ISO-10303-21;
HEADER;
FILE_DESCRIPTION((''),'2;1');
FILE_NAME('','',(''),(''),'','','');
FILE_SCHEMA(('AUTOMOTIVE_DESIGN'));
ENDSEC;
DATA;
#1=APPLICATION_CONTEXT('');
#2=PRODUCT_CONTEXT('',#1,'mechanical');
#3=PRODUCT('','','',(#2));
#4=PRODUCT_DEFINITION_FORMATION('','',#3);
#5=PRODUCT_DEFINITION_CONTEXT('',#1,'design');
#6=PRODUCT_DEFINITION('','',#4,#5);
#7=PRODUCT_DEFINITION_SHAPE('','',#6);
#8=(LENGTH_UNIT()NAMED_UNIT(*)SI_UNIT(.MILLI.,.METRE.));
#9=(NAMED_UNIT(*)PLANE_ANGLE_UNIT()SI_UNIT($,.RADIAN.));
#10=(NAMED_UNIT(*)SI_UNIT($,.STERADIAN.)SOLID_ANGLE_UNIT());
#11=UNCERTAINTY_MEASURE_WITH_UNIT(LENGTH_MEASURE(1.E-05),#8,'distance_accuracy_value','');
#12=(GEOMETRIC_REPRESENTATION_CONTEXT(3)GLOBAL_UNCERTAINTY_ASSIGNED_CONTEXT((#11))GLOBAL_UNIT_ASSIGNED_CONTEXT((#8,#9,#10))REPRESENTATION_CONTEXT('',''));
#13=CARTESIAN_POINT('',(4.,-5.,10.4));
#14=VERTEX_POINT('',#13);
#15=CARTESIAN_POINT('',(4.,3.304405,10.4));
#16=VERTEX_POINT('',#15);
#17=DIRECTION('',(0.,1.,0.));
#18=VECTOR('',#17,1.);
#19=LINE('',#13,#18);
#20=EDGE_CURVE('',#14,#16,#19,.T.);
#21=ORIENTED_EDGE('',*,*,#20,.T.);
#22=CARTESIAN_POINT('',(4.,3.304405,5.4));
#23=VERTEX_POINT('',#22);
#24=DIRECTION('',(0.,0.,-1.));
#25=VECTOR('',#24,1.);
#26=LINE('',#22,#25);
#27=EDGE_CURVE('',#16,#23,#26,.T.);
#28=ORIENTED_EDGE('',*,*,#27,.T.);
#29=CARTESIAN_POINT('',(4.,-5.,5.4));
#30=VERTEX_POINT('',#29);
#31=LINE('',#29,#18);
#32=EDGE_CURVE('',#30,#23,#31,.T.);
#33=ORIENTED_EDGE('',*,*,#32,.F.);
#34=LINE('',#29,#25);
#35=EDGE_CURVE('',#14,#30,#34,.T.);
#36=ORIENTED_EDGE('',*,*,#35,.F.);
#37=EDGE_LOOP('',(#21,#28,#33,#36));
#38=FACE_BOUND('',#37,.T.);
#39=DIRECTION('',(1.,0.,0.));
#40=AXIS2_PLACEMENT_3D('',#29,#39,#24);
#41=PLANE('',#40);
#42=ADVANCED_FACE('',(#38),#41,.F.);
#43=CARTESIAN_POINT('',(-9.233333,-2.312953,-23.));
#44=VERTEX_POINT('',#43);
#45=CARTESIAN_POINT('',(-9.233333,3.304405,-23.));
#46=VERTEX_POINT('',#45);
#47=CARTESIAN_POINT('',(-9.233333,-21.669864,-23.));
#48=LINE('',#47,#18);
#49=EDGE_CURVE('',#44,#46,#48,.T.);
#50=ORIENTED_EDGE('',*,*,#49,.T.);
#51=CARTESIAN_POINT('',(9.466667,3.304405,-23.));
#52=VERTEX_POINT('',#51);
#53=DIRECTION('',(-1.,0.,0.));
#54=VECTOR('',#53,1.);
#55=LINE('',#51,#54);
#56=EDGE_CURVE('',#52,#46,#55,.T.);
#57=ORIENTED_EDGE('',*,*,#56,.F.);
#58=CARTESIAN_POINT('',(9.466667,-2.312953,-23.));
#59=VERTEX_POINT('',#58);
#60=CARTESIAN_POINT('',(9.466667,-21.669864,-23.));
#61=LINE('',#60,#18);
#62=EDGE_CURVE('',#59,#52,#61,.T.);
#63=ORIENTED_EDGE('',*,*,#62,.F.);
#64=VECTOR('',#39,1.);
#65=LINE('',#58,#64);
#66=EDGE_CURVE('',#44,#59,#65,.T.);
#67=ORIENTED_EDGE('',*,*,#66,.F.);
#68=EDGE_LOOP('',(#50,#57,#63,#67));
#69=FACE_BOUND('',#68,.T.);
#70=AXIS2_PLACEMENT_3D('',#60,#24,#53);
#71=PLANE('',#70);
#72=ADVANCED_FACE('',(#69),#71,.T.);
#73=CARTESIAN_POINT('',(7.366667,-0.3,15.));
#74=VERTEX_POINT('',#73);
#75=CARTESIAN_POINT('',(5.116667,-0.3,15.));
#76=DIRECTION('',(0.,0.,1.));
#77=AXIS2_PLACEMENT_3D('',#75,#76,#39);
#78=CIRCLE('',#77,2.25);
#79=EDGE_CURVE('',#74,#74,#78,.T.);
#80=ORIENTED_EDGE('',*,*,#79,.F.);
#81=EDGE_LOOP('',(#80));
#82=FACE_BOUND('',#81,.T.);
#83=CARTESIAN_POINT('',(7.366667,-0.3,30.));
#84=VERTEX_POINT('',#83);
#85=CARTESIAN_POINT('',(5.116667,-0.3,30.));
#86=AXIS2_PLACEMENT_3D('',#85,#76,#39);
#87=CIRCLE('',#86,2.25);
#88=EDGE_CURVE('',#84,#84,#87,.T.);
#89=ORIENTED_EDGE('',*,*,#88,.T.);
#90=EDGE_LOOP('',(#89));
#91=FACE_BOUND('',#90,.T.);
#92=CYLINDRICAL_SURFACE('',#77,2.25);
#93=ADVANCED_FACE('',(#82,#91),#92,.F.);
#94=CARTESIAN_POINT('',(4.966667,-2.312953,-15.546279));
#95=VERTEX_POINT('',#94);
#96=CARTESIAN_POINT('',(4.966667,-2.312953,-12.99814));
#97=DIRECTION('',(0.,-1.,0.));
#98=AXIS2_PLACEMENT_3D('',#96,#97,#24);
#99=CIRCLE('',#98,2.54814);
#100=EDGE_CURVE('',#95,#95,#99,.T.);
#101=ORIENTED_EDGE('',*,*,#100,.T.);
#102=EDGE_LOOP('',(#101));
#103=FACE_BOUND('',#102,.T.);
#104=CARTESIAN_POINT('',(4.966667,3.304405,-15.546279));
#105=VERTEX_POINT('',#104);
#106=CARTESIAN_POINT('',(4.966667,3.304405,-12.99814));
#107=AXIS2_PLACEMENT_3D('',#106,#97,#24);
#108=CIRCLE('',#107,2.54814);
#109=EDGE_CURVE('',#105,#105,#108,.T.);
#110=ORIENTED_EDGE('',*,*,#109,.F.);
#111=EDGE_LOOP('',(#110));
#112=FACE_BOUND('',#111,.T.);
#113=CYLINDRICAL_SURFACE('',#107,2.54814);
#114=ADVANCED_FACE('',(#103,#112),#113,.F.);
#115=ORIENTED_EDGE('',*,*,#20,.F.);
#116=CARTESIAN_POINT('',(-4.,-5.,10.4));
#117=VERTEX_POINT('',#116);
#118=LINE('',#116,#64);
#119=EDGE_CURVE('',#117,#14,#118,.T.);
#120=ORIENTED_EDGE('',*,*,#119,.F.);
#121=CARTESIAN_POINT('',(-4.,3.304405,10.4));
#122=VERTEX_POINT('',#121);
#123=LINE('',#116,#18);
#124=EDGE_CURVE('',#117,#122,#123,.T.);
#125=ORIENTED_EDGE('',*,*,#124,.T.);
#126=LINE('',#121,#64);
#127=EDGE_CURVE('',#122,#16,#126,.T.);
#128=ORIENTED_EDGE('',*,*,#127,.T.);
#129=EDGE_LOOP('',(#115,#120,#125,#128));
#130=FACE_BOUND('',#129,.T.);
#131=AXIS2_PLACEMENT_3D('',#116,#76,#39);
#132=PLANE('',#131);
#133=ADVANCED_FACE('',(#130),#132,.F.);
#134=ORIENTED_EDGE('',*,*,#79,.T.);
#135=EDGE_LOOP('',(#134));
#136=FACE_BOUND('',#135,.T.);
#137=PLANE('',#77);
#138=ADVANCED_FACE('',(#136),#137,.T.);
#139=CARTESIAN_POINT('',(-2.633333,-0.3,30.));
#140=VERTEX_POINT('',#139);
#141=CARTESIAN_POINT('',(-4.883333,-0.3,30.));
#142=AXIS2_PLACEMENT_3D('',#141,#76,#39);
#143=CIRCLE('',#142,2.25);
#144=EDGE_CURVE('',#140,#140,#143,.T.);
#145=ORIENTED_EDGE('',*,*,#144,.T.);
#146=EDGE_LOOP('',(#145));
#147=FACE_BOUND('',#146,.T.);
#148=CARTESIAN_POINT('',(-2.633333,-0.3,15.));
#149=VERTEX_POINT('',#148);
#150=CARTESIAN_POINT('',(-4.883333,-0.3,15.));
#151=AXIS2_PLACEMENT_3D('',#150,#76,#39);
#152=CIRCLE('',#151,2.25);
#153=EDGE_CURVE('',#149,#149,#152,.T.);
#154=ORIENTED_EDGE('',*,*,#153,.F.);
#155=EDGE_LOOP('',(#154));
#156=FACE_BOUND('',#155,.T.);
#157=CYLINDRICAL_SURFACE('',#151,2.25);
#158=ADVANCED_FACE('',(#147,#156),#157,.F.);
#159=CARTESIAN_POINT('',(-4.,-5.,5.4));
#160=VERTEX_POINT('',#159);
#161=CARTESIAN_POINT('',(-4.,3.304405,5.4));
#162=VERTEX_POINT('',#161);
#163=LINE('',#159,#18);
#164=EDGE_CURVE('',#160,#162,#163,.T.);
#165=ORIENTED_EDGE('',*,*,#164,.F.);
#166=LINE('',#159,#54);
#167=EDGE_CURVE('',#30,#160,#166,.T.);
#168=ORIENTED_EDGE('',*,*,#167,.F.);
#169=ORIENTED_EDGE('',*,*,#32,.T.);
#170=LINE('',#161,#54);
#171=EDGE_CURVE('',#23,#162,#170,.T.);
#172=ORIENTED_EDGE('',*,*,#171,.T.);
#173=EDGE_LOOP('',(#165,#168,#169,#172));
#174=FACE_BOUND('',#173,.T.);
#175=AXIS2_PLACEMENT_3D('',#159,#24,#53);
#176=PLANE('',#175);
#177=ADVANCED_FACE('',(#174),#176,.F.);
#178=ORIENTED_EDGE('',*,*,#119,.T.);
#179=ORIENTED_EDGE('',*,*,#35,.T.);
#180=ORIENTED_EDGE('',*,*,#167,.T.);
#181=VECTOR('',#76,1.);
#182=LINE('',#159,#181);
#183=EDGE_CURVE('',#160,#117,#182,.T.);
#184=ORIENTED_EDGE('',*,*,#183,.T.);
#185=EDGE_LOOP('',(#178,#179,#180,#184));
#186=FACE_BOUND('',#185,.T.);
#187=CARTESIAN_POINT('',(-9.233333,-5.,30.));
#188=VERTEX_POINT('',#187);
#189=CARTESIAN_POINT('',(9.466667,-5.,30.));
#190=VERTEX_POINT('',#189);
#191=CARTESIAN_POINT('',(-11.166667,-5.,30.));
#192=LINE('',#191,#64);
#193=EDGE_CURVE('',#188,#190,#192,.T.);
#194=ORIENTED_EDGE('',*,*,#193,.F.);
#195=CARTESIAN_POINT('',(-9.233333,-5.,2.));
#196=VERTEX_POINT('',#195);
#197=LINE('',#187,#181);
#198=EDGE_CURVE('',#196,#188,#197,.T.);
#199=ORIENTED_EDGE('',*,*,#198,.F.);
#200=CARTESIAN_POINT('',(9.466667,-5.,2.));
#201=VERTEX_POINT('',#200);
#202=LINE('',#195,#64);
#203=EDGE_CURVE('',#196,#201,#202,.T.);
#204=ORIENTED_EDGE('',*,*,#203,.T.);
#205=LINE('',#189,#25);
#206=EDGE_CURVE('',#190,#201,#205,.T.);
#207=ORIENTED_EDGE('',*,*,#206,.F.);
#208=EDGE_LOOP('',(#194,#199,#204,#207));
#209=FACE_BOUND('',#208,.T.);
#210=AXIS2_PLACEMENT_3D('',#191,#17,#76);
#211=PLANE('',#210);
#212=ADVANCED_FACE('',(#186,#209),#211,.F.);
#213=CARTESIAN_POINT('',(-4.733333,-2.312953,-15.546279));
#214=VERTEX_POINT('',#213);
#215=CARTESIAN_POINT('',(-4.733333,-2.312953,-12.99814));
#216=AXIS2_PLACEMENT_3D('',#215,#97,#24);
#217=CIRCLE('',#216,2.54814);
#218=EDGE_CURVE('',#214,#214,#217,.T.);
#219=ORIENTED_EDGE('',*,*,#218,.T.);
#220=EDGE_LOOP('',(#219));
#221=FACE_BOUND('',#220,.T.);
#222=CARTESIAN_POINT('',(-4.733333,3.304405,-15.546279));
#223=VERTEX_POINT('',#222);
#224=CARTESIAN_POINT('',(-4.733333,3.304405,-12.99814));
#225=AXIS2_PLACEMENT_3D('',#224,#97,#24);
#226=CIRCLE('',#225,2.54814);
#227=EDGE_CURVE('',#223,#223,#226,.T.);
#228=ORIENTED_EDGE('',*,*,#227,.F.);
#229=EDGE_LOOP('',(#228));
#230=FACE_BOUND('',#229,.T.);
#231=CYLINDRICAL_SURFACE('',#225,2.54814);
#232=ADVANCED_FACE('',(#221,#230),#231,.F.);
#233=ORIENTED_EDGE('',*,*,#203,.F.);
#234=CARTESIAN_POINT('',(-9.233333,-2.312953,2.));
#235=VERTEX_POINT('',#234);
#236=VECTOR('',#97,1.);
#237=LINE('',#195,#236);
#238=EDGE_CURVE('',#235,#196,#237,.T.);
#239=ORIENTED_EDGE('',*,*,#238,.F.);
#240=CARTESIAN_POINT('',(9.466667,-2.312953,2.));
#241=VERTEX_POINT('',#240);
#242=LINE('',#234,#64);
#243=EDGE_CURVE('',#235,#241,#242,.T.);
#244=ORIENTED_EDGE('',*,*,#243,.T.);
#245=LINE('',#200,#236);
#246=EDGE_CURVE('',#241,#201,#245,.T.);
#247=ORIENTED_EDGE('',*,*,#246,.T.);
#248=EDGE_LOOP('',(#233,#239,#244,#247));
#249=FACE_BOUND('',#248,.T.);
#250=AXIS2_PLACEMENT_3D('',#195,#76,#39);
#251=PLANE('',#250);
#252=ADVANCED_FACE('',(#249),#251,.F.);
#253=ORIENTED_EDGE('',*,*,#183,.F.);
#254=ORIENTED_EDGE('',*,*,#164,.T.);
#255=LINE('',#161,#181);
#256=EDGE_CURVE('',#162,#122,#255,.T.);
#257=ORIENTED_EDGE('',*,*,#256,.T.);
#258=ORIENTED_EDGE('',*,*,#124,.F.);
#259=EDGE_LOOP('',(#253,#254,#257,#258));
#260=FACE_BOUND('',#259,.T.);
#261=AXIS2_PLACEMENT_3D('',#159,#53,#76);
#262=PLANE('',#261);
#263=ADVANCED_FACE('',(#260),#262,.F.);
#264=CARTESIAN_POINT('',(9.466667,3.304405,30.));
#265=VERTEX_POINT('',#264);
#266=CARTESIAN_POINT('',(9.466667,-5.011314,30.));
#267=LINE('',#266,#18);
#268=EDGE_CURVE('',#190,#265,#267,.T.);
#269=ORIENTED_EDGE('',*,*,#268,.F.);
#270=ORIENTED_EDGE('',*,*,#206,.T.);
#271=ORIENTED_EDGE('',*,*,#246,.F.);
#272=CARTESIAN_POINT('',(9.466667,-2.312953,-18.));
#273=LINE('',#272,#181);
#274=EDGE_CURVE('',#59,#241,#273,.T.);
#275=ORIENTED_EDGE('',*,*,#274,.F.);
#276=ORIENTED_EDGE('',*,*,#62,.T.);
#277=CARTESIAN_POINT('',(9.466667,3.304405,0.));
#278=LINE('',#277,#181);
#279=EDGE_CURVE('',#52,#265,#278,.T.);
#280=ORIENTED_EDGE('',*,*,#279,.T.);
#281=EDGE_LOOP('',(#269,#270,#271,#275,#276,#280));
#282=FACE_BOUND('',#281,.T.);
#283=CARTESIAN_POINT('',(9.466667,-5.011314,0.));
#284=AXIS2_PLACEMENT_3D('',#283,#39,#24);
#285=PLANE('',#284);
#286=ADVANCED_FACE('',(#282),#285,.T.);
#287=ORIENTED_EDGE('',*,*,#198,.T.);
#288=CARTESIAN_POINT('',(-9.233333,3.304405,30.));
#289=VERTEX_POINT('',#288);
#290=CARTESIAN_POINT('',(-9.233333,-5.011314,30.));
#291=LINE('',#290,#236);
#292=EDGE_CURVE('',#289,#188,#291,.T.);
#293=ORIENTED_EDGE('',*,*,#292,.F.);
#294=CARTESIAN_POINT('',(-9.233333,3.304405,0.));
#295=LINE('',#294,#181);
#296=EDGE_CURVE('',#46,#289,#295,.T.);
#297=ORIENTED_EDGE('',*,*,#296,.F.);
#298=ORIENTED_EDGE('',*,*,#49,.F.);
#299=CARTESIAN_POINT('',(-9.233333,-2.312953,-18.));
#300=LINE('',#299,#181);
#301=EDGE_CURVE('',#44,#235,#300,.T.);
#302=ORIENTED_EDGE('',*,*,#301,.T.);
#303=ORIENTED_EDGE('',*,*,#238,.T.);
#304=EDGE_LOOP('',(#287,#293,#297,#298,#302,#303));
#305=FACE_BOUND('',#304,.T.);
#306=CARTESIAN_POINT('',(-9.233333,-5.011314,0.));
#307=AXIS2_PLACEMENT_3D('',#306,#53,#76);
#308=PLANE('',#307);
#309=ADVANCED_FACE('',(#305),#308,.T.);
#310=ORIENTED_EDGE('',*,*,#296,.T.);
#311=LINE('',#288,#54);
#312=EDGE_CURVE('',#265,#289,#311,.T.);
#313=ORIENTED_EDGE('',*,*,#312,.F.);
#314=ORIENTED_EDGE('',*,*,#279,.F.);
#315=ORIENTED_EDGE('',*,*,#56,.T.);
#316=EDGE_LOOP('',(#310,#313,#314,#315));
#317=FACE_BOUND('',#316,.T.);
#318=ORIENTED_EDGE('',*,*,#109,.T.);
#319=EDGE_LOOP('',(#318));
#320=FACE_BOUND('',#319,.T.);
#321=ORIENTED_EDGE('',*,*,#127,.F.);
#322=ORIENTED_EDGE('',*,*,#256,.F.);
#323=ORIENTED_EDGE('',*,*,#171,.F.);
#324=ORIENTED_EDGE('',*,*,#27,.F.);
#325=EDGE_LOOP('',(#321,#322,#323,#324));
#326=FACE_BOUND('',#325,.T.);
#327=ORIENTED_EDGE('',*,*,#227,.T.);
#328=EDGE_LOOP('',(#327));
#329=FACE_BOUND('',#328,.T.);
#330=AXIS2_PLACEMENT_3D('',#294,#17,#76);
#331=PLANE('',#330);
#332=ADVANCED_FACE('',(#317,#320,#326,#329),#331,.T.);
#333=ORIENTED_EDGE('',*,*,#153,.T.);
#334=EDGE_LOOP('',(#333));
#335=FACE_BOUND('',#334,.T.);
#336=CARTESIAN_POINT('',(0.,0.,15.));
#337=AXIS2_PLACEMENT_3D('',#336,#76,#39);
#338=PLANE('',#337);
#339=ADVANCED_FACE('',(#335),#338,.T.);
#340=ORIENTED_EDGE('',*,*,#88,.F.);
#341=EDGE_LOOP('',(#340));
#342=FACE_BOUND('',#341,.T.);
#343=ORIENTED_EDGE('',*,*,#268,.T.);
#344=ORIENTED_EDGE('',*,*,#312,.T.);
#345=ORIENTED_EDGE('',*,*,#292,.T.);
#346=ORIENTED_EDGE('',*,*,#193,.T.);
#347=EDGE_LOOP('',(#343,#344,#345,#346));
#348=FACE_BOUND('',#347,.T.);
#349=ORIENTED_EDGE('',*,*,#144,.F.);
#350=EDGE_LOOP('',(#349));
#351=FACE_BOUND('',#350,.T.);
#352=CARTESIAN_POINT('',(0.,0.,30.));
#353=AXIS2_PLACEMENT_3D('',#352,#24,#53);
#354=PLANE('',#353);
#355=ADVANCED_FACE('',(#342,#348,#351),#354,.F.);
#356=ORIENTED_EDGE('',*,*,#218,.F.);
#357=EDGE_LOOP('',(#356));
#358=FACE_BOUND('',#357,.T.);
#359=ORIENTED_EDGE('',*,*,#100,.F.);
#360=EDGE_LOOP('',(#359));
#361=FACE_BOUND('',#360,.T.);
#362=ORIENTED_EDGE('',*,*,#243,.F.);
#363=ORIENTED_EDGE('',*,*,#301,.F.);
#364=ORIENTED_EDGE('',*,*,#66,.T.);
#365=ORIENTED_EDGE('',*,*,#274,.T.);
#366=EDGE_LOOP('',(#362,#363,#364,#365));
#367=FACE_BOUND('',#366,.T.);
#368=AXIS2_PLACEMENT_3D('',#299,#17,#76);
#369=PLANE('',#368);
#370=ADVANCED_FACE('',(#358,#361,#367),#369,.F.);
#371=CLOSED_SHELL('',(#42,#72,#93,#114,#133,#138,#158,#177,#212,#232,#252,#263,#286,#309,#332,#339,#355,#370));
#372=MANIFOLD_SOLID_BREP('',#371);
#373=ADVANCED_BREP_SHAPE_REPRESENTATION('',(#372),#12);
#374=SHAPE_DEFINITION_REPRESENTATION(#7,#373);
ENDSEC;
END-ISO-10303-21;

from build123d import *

# Parameters (mm, degrees)
SKETCH_1_W           = 22.333333334
SKETCH_1_H           = 10
EXTRUDE_1_DEPTH      = 30
SKETCH_4_W           = 1.083333334
SKETCH_4_H           = 30
CUT_EXTRUDE_1_DEPTH  = 30
SKETCH_3_R           = 2.25
CUT_EXTRUDE_2_DEPTH  = 15
SKETCH_5_OUTSIDE_W   = 30.87
SKETCH_5_OUTSIDE_H   = 19.62
SKETCH_5_OUTSIDE_W_2 = 18.7
SKETCH_5_OUTSIDE_H_2 = 8.315719237
CUT_EXTRUDE_3_DEPTH  = 30
SKETCH_10_W          = 18.7
SKETCH_10_H          = 8.304405234
EXTRUDE_2_DEPTH      = 18
SKETCH_11_W          = 20
SKETCH_11_H          = 2.687046706
CUT_EXTRUDE_5_DEPTH  = 36.702801011
CUT_EXTRUDE_6_DEPTH  = 32.955789688
SKETCH_13_W          = 18.7
SKETCH_13_H          = 5
EXTRUDE_3_DEPTH      = 5.617358528
SKETCH_14_W          = 8
SKETCH_14_H          = 5
CUT_EXTRUDE_7_DEPTH  = 33.535840608


with BuildPart() as part:
    # 草图1 → 凸台-拉伸1 (new body)
    with BuildSketch(Plane.XY):
        Rectangle(SKETCH_1_W, SKETCH_1_H)
    extrude(amount=EXTRUDE_1_DEPTH)

    # 草图4 → 切除-拉伸1 (cut)
    with BuildSketch(Plane.XZ.offset(5)):
        with Locations((-10.625, 15)):
            Rectangle(SKETCH_4_W, SKETCH_4_H)
    extrude(amount=-CUT_EXTRUDE_1_DEPTH, mode=Mode.SUBTRACT)

    # 草图3 → 切除-拉伸2 (cut)
    with BuildSketch(Plane.XY.offset(30)):
        with Locations((-4.883333333, -0.3)):
            Circle(SKETCH_3_R)
        with Locations((5.116666667, -0.3)):
            Circle(SKETCH_3_R)
    extrude(amount=-CUT_EXTRUDE_2_DEPTH, mode=Mode.SUBTRACT)

    # 草图5 outside → 切除-拉伸3 (cut)
    with BuildSketch(Plane.XY.offset(30)):
        with Locations((0.542, 0)):
            Rectangle(SKETCH_5_OUTSIDE_W, SKETCH_5_OUTSIDE_H)
        with Locations((0.116666667, -0.853454385)):
            Rectangle(SKETCH_5_OUTSIDE_W_2, SKETCH_5_OUTSIDE_H_2, mode=Mode.SUBTRACT)
    extrude(amount=-CUT_EXTRUDE_3_DEPTH, mode=Mode.SUBTRACT)

    # 草图10 → 凸台-拉伸2 (add)
    with BuildSketch(Plane(origin=(0, 0, 0), x_dir=(-1, 0, 0), z_dir=(0, 0, -1))):
        with Locations((-0.116666667, -0.847797383)):
            Rectangle(SKETCH_10_W, SKETCH_10_H)
    extrude(amount=EXTRUDE_2_DEPTH)

    # 草图11 → 切除-拉伸5 (cut, through all)
    with BuildSketch(Plane(origin=(9.466666667, 0, 0), x_dir=(0, 0, -1), z_dir=(1, 0, 0))):
        with Locations((8, -3.656476647)):
            Rectangle(SKETCH_11_W, SKETCH_11_H)
    extrude(amount=-CUT_EXTRUDE_5_DEPTH, mode=Mode.SUBTRACT)

    # 草图12 → 切除-拉伸6 (cut, through all)
    with BuildSketch(Plane.XZ.offset(2.312953294)):
        with BuildLine():
            ThreePointArc((-2.185193673, -12.99813966), (-4.733333333, -10.45), (-7.281472993, -12.99813966))
            Line((-7.281472993, -12.99813966), (-2.185193673, -12.99813966))
        make_face()
        with BuildLine():
            Line((-2.185193673, -12.99813966), (-7.281472993, -12.99813966))
            ThreePointArc((-7.281472993, -12.99813966), (-4.733333333, -15.54627932), (-2.185193673, -12.99813966))
        make_face()
        with BuildLine():
            ThreePointArc((7.514806327, -12.99813966), (4.966666667, -10.45), (2.418527007, -12.99813966))
            Line((2.418527007, -12.99813966), (7.514806327, -12.99813966))
        make_face()
        with BuildLine():
            Line((7.514806327, -12.99813966), (2.418527007, -12.99813966))
            ThreePointArc((2.418527007, -12.99813966), (4.966666667, -15.54627932), (7.514806327, -12.99813966))
        make_face()
    extrude(amount=-CUT_EXTRUDE_6_DEPTH, mode=Mode.SUBTRACT)

    # 草图13 → 凸台-拉伸3 (add)
    with BuildSketch(Plane(origin=(0, 3.304405234, 0), x_dir=(1, 0, 0), z_dir=(0, 1, 0))):
        with Locations((0.116666667, 20.5)):
            Rectangle(SKETCH_13_W, SKETCH_13_H)
    extrude(amount=-EXTRUDE_3_DEPTH)

    # 草图14 → 切除-拉伸7 (cut, through all)
    with BuildSketch(Plane(origin=(0, 3.304405234, 0), x_dir=(1, 0, 0), z_dir=(0, 1, 0))):
        with Locations((0, -7.9)):
            Rectangle(SKETCH_14_W, SKETCH_14_H)
    extrude(amount=-CUT_EXTRUDE_7_DEPTH, mode=Mode.SUBTRACT)


solid = part.part
